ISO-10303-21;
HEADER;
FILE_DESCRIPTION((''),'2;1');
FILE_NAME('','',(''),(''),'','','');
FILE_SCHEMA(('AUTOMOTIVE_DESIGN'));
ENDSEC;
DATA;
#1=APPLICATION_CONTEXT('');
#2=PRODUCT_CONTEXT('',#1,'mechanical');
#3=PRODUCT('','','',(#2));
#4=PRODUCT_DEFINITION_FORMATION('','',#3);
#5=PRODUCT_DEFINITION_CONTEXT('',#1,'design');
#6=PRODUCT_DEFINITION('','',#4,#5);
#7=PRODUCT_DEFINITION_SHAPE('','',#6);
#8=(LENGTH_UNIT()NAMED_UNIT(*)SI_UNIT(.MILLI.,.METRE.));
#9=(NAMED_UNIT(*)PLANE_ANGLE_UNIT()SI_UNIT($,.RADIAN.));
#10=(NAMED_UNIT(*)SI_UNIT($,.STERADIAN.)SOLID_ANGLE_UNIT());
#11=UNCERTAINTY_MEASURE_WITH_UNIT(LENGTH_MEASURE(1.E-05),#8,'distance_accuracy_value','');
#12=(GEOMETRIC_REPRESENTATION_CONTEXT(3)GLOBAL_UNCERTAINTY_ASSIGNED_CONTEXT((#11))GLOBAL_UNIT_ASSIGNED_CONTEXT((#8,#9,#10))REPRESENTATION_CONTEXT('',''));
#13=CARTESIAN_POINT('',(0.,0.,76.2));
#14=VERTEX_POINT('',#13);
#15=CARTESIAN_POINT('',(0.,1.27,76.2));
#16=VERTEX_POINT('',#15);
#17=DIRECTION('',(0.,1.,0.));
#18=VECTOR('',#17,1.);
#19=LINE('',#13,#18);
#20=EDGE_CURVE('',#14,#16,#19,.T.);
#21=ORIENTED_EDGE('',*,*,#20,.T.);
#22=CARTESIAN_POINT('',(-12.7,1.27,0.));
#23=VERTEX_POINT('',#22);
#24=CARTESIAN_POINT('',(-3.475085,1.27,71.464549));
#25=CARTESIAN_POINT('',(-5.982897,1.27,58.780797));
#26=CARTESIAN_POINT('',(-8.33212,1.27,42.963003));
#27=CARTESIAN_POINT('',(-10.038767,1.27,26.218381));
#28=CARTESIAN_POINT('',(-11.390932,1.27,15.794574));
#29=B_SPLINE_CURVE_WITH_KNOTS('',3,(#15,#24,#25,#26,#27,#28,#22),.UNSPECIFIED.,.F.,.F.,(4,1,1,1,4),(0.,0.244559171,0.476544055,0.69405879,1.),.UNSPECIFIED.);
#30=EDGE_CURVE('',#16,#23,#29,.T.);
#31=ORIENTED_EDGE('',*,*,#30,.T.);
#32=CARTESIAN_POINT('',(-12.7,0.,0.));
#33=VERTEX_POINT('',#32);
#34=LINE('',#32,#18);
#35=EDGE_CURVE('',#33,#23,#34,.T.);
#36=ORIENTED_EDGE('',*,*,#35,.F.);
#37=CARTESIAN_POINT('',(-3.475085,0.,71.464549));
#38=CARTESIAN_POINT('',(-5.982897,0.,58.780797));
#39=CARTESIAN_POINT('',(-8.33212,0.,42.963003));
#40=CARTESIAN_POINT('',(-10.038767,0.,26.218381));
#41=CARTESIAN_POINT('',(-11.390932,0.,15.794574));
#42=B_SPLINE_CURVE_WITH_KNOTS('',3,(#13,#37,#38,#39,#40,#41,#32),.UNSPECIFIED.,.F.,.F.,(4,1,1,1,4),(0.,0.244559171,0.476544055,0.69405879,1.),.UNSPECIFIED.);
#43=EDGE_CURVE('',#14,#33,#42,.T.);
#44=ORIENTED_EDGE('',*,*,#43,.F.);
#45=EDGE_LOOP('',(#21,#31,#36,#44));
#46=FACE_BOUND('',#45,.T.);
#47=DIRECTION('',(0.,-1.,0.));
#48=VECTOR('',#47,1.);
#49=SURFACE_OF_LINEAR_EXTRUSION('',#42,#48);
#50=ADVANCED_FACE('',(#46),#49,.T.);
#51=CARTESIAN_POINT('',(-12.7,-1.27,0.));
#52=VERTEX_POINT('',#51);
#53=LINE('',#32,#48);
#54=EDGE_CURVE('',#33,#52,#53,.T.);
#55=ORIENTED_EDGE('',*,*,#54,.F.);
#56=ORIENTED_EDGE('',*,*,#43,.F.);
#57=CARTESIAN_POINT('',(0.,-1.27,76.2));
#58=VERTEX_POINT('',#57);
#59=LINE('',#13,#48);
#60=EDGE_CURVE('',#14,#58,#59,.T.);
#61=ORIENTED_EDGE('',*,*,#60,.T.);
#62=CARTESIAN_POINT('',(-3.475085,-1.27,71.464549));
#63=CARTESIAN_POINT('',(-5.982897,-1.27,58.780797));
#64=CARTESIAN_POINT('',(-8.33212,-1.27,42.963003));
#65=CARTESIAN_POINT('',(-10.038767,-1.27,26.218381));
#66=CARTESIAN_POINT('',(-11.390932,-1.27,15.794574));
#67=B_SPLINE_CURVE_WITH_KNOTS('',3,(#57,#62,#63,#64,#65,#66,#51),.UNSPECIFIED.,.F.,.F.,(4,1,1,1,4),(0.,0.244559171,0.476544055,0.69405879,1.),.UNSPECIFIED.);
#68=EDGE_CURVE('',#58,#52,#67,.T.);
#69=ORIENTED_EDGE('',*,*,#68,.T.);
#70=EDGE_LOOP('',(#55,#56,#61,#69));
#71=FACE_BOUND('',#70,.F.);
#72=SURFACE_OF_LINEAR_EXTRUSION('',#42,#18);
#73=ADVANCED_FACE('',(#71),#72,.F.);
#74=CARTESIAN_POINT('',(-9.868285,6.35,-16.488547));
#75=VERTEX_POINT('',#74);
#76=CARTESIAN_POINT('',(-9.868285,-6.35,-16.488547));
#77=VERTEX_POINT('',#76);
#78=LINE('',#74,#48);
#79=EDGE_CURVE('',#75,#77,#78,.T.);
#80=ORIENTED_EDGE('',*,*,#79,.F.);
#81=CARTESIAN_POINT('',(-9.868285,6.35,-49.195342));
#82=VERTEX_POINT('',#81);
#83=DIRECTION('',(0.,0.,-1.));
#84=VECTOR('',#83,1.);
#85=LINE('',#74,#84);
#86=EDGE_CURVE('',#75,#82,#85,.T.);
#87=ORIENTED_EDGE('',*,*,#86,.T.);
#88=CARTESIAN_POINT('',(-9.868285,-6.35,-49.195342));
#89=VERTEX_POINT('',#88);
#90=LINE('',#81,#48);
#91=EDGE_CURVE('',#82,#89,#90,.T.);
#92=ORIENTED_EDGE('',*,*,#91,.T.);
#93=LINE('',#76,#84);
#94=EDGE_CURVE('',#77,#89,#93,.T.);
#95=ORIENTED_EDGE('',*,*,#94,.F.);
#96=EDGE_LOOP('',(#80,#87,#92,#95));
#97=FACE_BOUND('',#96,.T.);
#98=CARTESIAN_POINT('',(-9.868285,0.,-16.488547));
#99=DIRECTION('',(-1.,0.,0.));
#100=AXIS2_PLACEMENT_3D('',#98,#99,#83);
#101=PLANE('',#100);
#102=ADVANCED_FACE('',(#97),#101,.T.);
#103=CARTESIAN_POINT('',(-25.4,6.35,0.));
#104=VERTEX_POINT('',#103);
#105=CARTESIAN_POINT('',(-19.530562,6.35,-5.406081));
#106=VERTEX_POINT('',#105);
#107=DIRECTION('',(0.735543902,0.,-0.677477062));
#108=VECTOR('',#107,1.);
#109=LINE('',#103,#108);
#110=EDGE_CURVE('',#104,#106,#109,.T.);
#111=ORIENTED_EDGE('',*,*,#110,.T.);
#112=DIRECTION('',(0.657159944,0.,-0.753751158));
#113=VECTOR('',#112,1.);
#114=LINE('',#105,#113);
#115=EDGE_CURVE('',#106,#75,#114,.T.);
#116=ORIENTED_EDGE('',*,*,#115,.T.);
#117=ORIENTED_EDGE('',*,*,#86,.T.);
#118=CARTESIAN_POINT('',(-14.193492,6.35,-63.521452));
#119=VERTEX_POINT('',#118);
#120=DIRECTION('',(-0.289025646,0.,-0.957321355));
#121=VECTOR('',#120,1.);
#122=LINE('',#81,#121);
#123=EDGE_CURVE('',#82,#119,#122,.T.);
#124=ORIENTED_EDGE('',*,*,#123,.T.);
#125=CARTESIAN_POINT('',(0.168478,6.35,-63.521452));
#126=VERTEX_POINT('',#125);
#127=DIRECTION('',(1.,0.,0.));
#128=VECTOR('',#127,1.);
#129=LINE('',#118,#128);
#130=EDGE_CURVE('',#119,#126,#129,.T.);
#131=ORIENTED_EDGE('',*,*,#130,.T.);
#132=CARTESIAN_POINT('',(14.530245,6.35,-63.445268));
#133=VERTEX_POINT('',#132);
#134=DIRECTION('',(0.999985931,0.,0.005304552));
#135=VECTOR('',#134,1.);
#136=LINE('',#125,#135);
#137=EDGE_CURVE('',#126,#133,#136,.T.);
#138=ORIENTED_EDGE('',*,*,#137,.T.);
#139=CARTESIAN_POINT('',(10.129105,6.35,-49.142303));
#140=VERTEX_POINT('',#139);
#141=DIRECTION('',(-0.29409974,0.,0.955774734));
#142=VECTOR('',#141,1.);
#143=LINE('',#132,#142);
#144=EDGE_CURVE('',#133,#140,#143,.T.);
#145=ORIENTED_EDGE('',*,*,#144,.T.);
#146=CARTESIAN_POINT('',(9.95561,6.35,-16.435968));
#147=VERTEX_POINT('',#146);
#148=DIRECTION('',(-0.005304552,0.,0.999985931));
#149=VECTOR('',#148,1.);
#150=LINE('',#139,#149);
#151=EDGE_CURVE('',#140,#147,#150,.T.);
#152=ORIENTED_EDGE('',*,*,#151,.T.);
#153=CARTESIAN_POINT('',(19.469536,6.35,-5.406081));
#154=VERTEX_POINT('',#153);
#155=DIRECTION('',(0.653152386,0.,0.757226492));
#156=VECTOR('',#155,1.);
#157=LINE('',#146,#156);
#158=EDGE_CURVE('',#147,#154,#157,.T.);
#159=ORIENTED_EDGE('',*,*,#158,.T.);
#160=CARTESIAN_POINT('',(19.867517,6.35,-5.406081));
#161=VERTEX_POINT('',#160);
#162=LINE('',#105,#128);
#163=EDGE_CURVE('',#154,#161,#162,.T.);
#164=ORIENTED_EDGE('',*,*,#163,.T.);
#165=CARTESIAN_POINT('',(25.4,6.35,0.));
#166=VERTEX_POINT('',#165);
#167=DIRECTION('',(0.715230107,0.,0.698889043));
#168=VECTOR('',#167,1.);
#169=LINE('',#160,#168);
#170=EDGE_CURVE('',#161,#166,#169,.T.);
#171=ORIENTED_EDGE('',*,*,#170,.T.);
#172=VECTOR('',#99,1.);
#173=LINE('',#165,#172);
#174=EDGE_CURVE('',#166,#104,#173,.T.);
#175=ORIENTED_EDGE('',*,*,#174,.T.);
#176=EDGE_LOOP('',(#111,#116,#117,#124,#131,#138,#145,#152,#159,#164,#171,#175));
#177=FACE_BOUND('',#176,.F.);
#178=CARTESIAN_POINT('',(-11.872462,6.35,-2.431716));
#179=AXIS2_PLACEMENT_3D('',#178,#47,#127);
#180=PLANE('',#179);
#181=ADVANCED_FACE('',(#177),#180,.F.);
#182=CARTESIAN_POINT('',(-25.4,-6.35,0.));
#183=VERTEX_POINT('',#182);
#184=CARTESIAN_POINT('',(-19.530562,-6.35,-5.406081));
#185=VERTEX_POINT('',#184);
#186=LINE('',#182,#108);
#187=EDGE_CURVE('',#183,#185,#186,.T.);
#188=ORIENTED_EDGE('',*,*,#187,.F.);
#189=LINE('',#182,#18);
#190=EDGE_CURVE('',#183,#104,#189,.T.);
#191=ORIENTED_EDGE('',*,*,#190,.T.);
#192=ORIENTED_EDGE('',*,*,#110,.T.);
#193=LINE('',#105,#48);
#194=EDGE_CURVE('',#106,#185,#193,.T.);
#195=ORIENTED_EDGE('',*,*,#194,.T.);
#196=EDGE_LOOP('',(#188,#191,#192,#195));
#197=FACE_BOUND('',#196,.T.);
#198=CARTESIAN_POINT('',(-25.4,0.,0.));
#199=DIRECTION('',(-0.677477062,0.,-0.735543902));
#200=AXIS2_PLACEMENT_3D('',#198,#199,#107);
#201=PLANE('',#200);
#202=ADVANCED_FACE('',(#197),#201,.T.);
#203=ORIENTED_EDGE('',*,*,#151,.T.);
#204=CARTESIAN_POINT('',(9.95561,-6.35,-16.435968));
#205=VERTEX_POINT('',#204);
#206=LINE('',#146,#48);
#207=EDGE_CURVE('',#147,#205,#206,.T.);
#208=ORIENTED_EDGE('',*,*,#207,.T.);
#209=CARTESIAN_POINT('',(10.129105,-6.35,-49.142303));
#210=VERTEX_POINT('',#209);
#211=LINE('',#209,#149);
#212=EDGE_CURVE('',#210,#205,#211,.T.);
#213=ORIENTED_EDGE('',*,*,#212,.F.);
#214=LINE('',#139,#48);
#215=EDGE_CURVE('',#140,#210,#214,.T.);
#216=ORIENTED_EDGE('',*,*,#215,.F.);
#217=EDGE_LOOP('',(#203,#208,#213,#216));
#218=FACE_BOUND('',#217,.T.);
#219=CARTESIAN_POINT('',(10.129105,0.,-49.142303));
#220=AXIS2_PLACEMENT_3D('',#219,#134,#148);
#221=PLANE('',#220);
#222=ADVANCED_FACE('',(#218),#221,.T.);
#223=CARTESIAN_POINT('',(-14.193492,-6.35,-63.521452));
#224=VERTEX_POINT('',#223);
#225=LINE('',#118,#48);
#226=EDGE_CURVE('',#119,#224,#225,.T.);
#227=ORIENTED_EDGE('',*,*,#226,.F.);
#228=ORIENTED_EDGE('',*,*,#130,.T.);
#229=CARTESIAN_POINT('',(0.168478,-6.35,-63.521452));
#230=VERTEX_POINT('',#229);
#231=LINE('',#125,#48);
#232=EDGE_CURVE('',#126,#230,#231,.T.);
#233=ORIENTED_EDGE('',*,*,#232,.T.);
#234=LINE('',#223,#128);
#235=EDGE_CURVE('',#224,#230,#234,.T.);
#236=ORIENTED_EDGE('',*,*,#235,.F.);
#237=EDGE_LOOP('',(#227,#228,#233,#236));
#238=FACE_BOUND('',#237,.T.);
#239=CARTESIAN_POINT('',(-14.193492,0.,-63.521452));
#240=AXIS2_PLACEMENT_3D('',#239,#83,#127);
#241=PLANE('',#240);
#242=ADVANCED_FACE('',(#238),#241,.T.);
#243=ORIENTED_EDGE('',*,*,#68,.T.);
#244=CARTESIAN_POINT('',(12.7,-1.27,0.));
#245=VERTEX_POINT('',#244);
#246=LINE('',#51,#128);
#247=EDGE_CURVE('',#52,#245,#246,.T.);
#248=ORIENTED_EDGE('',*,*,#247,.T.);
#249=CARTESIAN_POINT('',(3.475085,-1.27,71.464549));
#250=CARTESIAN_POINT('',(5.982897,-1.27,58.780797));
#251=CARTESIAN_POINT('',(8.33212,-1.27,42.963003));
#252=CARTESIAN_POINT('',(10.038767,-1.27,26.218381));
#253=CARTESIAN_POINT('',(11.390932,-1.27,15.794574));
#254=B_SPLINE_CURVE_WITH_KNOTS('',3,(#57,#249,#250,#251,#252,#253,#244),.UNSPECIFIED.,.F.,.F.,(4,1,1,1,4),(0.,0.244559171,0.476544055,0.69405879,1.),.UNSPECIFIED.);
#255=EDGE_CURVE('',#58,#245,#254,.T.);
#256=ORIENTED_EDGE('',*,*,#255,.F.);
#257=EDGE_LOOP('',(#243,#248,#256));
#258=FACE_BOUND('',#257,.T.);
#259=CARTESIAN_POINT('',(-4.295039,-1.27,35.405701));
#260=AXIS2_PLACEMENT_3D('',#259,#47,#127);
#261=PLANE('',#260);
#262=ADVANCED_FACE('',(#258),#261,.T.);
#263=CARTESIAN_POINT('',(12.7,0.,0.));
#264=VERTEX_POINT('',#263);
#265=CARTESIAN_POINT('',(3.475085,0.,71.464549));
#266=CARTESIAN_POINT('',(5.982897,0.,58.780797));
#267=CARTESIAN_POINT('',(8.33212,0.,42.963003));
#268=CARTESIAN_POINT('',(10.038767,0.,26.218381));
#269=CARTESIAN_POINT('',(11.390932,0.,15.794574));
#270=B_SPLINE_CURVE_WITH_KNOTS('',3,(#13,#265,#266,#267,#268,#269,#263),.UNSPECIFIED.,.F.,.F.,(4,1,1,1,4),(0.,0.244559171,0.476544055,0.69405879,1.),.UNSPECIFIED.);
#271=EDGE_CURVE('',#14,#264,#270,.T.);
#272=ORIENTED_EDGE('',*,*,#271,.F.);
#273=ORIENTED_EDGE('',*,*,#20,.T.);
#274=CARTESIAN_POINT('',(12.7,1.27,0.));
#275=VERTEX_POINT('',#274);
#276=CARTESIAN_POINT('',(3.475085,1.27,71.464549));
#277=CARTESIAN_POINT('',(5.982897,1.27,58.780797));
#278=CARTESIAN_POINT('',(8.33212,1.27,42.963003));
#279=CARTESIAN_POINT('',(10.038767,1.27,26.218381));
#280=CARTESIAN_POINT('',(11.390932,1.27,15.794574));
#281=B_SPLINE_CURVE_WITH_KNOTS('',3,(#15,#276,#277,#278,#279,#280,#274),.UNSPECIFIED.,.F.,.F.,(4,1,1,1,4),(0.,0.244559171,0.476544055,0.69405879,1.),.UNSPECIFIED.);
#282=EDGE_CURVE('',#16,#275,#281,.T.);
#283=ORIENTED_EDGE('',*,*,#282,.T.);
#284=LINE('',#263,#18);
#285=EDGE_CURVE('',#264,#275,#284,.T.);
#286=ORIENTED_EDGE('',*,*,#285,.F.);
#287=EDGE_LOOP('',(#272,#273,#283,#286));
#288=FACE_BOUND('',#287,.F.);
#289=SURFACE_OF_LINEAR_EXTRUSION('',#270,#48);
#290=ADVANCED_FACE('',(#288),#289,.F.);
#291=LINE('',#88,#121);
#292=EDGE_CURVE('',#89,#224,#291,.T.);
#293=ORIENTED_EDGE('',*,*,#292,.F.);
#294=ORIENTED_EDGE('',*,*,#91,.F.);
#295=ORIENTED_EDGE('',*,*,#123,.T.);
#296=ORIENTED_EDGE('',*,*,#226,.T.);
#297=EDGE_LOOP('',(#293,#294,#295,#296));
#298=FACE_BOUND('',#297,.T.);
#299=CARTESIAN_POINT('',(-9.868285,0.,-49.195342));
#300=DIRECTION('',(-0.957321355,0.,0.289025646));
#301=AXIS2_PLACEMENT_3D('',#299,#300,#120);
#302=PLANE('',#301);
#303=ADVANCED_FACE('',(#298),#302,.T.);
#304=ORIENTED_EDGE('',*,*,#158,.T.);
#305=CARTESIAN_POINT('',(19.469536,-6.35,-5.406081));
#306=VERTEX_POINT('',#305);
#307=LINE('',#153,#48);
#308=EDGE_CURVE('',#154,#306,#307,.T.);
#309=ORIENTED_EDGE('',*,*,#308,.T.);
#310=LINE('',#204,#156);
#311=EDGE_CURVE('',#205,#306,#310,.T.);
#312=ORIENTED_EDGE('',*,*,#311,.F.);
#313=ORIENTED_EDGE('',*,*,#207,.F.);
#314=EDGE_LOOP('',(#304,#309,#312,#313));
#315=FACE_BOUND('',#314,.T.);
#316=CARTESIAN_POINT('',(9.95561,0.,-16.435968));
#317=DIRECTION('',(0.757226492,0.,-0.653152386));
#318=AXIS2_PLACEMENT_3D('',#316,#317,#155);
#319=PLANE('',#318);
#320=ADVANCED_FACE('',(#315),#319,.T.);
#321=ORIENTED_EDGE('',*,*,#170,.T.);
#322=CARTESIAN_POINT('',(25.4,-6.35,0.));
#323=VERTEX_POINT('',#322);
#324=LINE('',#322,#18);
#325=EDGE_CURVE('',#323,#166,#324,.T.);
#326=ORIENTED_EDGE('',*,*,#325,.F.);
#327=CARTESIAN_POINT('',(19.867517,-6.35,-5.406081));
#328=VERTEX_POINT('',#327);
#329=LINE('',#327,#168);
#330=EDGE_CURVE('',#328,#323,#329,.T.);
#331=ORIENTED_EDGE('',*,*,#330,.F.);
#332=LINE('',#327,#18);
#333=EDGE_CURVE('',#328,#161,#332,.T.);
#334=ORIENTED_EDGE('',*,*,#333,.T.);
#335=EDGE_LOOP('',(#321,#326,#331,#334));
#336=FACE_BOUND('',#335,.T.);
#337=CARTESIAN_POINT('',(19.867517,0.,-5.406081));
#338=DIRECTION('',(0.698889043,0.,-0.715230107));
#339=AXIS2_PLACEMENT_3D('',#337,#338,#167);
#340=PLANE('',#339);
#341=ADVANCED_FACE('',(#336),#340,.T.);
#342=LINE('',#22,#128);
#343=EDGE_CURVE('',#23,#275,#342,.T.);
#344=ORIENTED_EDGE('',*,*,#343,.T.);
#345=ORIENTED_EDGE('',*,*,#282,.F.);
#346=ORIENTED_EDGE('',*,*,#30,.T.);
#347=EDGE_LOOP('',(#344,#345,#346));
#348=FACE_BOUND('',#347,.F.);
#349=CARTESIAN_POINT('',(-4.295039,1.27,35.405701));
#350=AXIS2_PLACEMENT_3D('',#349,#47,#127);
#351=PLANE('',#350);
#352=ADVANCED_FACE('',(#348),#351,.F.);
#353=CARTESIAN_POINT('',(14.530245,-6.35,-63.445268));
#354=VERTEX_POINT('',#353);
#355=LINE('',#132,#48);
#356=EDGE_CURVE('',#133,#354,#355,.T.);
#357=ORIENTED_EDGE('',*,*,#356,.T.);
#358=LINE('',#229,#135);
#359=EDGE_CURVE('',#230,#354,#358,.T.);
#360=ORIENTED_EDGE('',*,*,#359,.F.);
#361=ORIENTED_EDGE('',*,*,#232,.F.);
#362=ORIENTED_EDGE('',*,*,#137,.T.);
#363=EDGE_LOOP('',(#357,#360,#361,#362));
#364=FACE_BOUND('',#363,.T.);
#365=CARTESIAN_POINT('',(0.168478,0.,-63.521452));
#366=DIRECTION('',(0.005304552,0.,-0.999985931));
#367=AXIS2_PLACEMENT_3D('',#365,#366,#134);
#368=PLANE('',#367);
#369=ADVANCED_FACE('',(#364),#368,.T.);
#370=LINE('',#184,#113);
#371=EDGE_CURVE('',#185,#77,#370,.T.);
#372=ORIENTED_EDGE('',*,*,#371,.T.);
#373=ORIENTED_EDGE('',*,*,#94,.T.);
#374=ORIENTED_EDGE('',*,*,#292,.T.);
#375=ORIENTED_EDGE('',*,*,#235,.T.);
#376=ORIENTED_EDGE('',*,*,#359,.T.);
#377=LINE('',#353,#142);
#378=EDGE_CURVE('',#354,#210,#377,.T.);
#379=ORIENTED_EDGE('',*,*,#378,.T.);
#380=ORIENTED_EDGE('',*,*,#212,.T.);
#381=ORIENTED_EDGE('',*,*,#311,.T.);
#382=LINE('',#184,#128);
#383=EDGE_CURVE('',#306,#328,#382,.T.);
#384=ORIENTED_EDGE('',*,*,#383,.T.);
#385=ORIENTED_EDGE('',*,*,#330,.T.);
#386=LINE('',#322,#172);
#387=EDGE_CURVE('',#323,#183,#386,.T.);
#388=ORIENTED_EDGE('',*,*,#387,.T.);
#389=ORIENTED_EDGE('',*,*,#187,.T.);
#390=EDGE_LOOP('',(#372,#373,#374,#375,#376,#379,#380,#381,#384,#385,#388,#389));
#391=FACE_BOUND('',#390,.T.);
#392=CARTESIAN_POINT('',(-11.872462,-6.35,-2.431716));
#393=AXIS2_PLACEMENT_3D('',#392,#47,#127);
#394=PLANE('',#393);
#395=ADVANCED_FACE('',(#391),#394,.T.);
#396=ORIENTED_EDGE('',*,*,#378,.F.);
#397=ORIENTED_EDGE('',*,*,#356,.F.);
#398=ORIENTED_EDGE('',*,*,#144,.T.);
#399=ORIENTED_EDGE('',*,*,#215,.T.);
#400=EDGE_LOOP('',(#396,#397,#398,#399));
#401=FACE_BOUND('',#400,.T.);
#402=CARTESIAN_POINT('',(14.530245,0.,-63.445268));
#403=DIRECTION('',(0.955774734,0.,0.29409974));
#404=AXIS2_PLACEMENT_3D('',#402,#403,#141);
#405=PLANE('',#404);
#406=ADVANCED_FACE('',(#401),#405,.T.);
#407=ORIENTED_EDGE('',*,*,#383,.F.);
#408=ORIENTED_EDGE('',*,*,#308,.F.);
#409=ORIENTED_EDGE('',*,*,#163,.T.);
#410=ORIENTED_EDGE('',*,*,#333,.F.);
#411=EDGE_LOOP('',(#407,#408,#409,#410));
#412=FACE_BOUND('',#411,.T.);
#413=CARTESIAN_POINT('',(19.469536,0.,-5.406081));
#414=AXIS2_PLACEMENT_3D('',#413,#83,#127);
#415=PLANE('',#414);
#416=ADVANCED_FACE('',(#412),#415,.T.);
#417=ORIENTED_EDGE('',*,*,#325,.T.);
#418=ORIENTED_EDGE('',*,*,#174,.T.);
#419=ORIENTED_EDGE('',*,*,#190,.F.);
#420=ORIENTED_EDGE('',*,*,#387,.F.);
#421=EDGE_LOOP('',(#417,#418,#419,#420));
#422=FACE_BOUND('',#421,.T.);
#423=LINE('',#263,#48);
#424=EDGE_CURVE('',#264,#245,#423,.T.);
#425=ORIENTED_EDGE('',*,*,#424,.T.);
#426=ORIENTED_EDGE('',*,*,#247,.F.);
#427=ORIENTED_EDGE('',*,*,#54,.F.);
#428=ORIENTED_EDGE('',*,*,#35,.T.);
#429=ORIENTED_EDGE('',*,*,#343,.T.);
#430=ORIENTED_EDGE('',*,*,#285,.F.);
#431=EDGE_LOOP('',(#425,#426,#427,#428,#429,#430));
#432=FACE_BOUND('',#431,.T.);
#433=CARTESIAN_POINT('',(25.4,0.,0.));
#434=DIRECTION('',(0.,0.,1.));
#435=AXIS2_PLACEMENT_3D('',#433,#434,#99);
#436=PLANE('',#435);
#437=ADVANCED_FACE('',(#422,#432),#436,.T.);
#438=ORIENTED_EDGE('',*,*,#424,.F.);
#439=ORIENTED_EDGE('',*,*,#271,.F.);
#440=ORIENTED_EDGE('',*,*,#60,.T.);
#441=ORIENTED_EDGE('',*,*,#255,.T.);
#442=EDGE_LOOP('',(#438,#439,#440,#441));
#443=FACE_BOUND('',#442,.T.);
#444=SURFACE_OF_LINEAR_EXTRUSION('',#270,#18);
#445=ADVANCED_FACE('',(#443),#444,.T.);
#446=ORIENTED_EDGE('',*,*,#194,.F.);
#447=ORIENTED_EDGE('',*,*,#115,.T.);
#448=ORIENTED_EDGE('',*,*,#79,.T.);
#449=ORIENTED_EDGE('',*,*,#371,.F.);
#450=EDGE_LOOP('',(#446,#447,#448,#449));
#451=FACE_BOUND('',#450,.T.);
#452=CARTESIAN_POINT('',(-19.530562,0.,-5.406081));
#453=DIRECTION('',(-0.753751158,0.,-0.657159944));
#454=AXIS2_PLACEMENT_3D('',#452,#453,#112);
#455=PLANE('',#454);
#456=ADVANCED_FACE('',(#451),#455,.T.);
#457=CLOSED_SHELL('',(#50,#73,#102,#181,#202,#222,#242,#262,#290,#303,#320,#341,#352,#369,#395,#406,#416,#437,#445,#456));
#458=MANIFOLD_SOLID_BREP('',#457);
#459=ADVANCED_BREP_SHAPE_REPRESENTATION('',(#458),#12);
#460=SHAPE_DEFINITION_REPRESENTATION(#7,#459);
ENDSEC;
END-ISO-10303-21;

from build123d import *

# Parameters (mm, degrees)
F1_DEPTH      = 6.35
F1_DEPTH_BACK = 6.35
F2_DEPTH      = 1.27
F2_DEPTH_BACK = 1.27


with BuildPart() as f1:
    # F0 (on Front) → F1 (new body, two sides)
    with BuildSketch(Plane.XZ) as f1_sk:
        Polygon((0.0143385193, -5.4060807452), (0, 0), (-12.7, 0), (-25.4, 0), (-19.5305618315, -5.4060807452), align=None)
        Polygon((12.7, 0), (0, 0), (0.0143385193, -5.4060807452), (19.469536428, -5.4060807452), (19.8675170541, -5.4060807452), (25.4, 0), align=None)
        Polygon((19.469536428, -5.4060807452), (0.0143385193, -5.4060807452), (0.1684776113, -63.5214522481), (14.5302451709, -63.4452684321), (10.1291051011, -49.1423027949), (9.955610202, -16.4359676942), align=None)
        Polygon((0.1684776113, -63.5214522481), (0.0143385193, -5.4060807452), (-19.5305618315, -5.4060807452), (-9.8682846874, -16.4885465056), (-9.8682846874, -49.1953417659), (-14.1934920102, -63.5214522481), align=None)
    extrude(amount=F1_DEPTH)
    extrude(f1_sk.sketch, amount=-F1_DEPTH_BACK)

    # F0 (on Front) → F2 (join, two sides)
    with BuildSketch(Plane.XZ) as f2_sk:
        with BuildLine():
            Line((0, 0), (0, 76.2))
            add(Edge.make_bspline(
                [(0, 76.2), (-3.4750850201, 71.4645494629), (-5.982896886, 58.7807970856), (-8.3321200363, 42.9630029697), (-10.0387668581, 26.2183809123), (-11.3909318937, 15.7945735456), (-12.7, 0)],
                knots=[0, 0, 0, 0, 0.2445591709, 0.4765440549, 0.69405879, 1, 1, 1, 1], degree=3))
            Line((-12.7, 0), (0, 0))
        make_face()
        with BuildLine():
            add(Edge.make_bspline(
                [(0, 76.2), (3.4750850201, 71.4645494629), (5.982896886, 58.7807970856), (8.3321200363, 42.9630029697), (10.0387668581, 26.2183809123), (11.3909318937, 15.7945735456), (12.7, 0)],
                knots=[0, 0, 0, 0, 0.2445591709, 0.4765440549, 0.69405879, 1, 1, 1, 1], degree=3))
            Line((0, 76.2), (0, 0))
            Line((0, 0), (12.7, 0))
        make_face()
    extrude(amount=F2_DEPTH)
    extrude(f2_sk.sketch, amount=-F2_DEPTH_BACK)


solid = f1.part
